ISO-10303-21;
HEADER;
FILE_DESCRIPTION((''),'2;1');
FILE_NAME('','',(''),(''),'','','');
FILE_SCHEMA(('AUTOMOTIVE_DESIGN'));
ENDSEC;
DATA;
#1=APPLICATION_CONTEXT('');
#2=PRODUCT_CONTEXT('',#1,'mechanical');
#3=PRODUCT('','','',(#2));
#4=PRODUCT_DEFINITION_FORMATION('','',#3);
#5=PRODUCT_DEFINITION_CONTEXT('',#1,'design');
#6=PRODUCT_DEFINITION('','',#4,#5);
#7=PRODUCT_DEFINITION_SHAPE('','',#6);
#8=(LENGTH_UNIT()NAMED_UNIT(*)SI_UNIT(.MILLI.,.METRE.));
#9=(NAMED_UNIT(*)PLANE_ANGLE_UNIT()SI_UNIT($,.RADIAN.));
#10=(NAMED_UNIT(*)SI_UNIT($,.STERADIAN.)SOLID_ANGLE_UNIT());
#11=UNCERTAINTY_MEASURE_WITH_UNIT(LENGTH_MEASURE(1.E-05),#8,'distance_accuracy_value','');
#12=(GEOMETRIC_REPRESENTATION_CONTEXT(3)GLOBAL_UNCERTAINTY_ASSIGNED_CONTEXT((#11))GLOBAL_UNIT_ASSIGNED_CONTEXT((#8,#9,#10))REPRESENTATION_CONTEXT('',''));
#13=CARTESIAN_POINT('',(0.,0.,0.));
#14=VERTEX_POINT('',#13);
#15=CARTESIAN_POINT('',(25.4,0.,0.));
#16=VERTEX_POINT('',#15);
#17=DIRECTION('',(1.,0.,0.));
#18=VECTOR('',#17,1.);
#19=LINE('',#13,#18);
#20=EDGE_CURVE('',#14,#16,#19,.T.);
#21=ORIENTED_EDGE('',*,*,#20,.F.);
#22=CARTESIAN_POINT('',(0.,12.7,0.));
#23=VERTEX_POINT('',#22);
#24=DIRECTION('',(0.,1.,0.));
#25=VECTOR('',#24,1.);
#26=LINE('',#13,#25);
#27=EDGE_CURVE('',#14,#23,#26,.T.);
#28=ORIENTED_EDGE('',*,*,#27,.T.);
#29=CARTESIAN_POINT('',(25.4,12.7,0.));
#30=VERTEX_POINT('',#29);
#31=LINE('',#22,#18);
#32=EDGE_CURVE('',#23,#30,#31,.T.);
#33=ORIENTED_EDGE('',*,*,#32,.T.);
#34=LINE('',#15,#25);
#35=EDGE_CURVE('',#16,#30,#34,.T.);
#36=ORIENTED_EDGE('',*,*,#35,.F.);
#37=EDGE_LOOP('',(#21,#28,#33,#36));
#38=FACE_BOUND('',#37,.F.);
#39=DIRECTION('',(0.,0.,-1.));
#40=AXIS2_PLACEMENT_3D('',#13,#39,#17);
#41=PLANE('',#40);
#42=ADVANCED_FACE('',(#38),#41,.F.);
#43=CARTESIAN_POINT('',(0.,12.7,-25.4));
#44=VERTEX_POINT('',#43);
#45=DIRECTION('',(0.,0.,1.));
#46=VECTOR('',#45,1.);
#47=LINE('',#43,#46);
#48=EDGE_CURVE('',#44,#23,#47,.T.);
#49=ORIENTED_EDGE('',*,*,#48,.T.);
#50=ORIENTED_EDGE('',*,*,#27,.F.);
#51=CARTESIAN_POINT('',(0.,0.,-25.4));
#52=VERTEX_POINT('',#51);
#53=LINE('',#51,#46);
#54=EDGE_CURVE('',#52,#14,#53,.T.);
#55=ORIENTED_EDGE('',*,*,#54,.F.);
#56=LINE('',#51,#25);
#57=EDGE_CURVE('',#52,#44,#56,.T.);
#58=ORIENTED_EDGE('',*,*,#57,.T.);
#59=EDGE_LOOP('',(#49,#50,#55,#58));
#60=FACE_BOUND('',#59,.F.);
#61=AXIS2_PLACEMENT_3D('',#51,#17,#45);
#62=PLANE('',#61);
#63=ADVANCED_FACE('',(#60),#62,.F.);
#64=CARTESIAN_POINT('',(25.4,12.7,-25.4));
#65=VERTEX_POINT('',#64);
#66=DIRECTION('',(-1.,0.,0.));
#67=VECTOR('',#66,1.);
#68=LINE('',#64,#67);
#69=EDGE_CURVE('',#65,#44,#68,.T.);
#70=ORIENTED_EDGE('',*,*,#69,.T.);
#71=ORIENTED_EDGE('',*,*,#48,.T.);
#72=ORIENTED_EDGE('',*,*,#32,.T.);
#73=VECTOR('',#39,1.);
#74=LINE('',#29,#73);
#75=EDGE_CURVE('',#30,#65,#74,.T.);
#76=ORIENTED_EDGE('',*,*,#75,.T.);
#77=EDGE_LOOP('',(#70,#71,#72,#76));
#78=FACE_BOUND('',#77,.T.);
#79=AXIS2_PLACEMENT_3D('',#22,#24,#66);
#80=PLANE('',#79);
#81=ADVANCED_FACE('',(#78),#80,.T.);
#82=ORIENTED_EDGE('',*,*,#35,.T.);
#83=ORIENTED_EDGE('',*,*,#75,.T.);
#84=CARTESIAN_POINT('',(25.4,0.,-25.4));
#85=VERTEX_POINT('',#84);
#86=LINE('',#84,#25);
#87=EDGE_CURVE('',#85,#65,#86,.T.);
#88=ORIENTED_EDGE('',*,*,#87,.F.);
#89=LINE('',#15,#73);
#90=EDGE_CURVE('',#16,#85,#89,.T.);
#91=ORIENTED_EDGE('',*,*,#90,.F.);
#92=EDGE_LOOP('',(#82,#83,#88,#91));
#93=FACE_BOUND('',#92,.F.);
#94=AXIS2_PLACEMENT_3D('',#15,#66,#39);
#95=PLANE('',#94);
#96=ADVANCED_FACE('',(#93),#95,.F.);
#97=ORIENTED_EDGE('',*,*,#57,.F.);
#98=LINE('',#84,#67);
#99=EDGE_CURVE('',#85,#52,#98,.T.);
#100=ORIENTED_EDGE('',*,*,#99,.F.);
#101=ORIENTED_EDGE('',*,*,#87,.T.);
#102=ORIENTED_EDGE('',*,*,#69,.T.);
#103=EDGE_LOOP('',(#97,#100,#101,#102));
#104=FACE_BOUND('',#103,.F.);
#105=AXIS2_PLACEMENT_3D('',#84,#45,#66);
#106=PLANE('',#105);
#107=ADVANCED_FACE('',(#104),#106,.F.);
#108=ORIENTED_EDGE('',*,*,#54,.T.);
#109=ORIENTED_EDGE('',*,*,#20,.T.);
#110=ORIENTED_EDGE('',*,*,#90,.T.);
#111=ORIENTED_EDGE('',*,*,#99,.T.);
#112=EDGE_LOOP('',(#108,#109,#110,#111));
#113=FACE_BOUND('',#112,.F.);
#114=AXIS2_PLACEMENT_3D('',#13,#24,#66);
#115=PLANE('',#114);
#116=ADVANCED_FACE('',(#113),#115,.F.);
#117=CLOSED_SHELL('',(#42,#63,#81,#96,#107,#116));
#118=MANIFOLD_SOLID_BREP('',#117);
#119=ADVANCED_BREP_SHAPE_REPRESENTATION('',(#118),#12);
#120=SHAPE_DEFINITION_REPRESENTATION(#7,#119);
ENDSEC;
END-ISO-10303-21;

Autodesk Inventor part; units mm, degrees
ref_plane "YZ Plane" through (0, 0, 0) normal (1, 0, 0) x (0, 1, 0)
ref_plane "XZ Plane" through (0, 0, 0) normal (0, 1, 0) x (-1, 0, 0)
ref_plane "XY Plane" through (0, 0, 0) normal (0, 0, 1) x (1, 0, 0)
sketch "Sketch1" plane through (0, 0, 0) normal (0, 1, 0) x (-1, 0, 0)
  line L0 (0, 0) -> (-25.4, 0)
  line L1 (-25.4, 0) -> (-25.4, -25.4)
  line L2 (-25.4, -25.4) -> (0, -25.4)
  line L3 (0, -25.4) -> (0, 0)
  dimension "d0" = 25.4
  dimension "d1" = 25.4
extrude "Extrusion1" add sketch "Sketch1" along normal blind 12.7
properties part number "Train_001_PracticePrism"
